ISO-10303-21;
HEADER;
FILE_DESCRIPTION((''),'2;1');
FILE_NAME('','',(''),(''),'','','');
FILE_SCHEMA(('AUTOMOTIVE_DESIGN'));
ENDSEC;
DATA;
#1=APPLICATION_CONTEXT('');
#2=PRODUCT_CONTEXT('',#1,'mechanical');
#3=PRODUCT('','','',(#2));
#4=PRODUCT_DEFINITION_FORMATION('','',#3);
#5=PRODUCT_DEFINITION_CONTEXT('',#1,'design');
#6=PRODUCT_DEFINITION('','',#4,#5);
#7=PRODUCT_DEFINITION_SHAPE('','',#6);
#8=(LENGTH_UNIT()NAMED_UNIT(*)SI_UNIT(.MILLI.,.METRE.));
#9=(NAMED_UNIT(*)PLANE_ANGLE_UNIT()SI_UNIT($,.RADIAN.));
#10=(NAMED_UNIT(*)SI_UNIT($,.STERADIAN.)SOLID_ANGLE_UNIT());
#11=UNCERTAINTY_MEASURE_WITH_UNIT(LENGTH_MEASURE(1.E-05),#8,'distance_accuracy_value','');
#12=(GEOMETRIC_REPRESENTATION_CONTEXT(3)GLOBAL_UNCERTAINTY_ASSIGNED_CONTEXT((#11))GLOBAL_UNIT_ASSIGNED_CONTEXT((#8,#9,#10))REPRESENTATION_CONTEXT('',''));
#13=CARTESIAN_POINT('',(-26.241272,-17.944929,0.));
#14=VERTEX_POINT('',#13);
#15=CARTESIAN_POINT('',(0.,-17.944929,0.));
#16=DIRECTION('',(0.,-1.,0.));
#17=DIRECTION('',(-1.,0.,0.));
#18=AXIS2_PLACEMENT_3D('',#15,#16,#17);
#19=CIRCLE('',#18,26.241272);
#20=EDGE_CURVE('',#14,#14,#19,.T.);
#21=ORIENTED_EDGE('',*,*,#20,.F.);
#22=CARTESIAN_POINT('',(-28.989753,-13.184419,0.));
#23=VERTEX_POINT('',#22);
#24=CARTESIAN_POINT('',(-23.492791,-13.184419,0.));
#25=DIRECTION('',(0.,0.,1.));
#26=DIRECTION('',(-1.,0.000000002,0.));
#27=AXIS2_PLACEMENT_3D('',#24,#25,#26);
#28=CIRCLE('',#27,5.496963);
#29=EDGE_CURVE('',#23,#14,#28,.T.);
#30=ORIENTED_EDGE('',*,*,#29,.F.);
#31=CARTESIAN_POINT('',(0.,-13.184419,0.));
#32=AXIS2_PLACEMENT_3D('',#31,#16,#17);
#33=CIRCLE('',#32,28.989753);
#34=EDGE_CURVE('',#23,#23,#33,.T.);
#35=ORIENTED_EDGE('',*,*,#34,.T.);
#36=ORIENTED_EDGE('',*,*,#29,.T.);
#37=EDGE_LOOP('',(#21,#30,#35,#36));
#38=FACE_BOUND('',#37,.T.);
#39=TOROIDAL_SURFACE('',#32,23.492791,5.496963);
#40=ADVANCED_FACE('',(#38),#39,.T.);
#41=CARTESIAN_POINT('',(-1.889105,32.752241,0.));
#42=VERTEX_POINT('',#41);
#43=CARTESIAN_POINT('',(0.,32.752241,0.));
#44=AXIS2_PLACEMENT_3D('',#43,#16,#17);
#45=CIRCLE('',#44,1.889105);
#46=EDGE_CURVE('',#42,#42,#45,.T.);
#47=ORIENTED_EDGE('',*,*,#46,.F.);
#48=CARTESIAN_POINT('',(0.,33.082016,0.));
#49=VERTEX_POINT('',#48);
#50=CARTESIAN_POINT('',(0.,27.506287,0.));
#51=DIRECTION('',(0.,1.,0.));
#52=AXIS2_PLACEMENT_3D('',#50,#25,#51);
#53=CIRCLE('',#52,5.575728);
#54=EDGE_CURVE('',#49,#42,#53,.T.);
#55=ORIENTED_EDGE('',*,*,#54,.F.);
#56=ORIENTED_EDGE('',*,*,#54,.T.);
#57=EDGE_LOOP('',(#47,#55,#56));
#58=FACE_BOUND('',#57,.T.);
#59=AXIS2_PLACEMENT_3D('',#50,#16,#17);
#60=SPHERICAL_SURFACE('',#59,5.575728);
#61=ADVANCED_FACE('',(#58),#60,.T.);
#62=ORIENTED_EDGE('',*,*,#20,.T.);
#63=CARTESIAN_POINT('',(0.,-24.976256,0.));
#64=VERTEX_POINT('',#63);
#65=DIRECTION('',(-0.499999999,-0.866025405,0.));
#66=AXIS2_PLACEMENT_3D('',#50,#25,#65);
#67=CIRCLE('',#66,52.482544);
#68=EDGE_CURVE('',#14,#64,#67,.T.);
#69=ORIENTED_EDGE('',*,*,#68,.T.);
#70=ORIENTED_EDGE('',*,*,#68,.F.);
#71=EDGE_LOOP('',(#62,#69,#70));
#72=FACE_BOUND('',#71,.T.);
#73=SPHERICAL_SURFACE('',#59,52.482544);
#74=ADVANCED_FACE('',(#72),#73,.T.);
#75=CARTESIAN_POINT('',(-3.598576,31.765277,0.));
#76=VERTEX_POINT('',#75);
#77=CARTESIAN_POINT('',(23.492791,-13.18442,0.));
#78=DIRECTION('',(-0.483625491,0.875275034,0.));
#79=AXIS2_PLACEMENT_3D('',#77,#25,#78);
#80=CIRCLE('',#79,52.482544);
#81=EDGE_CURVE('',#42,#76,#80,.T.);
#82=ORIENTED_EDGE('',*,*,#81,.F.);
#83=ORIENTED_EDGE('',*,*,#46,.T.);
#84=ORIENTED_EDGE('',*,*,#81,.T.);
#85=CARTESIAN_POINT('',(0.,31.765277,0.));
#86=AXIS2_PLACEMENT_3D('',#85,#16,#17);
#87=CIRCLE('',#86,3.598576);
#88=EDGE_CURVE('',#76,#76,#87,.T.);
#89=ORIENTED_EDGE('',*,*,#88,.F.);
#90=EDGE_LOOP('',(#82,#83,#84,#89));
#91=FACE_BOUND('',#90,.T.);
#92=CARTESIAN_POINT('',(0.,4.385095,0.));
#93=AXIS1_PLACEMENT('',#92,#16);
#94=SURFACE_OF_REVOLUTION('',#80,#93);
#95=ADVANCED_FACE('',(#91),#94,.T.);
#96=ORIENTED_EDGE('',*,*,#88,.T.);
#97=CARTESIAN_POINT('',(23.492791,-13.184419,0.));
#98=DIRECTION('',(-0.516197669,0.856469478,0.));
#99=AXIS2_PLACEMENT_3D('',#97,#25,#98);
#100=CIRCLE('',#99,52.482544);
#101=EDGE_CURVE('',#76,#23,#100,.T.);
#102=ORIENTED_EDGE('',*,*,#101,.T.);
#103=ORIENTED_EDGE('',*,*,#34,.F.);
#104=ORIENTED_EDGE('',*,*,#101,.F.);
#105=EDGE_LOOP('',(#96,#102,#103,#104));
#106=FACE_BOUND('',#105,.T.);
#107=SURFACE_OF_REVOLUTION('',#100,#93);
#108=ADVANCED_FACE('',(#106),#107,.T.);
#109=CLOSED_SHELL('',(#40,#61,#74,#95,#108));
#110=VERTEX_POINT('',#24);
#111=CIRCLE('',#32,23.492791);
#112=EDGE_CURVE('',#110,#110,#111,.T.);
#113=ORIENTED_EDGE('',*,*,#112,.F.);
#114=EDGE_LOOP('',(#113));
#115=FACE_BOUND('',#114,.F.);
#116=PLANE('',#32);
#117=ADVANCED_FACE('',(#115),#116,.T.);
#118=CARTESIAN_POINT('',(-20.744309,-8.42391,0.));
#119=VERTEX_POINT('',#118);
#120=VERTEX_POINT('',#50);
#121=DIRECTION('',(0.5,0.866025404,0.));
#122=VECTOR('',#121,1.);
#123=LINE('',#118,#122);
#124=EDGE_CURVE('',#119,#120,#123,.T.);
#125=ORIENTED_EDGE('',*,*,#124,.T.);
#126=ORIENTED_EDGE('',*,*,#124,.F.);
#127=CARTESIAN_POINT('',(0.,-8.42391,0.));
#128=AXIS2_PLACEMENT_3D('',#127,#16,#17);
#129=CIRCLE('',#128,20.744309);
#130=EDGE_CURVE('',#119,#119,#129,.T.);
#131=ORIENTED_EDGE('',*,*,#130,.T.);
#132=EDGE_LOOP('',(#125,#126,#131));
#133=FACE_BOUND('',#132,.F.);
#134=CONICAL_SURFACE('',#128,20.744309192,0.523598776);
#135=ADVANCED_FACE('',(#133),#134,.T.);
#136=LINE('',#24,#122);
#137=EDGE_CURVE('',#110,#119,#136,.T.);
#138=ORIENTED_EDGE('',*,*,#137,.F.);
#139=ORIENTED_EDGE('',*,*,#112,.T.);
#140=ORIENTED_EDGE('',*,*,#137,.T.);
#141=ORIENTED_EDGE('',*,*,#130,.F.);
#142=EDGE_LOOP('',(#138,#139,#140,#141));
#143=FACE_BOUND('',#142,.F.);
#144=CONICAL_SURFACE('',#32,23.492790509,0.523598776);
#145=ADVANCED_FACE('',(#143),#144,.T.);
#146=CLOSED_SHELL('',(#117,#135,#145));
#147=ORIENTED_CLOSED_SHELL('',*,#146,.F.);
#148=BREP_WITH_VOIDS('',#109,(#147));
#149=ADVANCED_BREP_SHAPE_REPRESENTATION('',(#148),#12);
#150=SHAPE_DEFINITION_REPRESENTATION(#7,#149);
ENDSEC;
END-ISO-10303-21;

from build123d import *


with BuildPart() as f1:
    # F0 (on Top) → F1 (revolve)
    with BuildSketch(Plane.XY):
        with BuildLine():
            Line((-20.7443091924, -8.42390999), (-2.787864159, 22.6775651312))
            ThreePointArc((-2.787864159, 22.6775651312), (-5.5536730214, 27.0108460323), (-3.5985761906, 31.7652774823))
            ThreePointArc((-3.5985761906, 31.7652774823), (-22.2031678624, 12.6283058176), (-28.9897531426, -13.1844192613))
            ThreePointArc((-28.9897531426, -13.1844192613), (-26.2412718203, -8.4239099867), (-20.7443091924, -8.42390999))
        make_face()
        with BuildLine():
            Line((-23.4927905091, -13.1844192742), (-20.7443091924, -8.42390999))
            ThreePointArc((-20.7443091924, -8.42390999), (-26.2412718203, -8.4239099867), (-28.9897531426, -13.1844192613))
            ThreePointArc((-28.9897531426, -13.1844192613), (-28.2532997759, -15.9329006212), (-26.2412717541, -17.9449285999))
            ThreePointArc((-26.2412717541, -17.9449285999), (-20.7443091565, -17.9449285378), (-17.9958278756, -13.1844192742))
            Line((-17.9958278756, -13.1844192742), (-23.4927905091, -13.1844192742))
        make_face()
        with BuildLine():
            Line((0, -24.9762561526), (0, -13.1844192742))
            Line((0, -13.1844192742), (-17.9958278756, -13.1844192742))
            ThreePointArc((-17.9958278756, -13.1844192742), (-20.7443091565, -17.9449285378), (-26.2412717541, -17.9449285999))
            ThreePointArc((-26.2412717541, -17.9449285999), (-13.5834817925, -23.1879568541), (0, -24.9762561526))
        make_face()
        with BuildLine():
            Line((-2.787864159, 22.6775651312), (0, 27.5062874992))
            Line((0, 27.5062874992), (0, 33.0820158171))
            ThreePointArc((0, 33.0820158171), (-0.9588366399, 32.9989533886), (-1.8891054245, 32.7522408892))
            ThreePointArc((-1.8891054245, 32.7522408892), (-2.7484813167, 32.2667967834), (-3.5985761906, 31.7652774823))
            ThreePointArc((-3.5985761906, 31.7652774823), (-5.5536730214, 27.0108460323), (-2.787864159, 22.6775651312))
        make_face()
    revolve(axis=Axis((0, 4.3850952799, 0), (0, -1, 0)))


solid = f1.part
